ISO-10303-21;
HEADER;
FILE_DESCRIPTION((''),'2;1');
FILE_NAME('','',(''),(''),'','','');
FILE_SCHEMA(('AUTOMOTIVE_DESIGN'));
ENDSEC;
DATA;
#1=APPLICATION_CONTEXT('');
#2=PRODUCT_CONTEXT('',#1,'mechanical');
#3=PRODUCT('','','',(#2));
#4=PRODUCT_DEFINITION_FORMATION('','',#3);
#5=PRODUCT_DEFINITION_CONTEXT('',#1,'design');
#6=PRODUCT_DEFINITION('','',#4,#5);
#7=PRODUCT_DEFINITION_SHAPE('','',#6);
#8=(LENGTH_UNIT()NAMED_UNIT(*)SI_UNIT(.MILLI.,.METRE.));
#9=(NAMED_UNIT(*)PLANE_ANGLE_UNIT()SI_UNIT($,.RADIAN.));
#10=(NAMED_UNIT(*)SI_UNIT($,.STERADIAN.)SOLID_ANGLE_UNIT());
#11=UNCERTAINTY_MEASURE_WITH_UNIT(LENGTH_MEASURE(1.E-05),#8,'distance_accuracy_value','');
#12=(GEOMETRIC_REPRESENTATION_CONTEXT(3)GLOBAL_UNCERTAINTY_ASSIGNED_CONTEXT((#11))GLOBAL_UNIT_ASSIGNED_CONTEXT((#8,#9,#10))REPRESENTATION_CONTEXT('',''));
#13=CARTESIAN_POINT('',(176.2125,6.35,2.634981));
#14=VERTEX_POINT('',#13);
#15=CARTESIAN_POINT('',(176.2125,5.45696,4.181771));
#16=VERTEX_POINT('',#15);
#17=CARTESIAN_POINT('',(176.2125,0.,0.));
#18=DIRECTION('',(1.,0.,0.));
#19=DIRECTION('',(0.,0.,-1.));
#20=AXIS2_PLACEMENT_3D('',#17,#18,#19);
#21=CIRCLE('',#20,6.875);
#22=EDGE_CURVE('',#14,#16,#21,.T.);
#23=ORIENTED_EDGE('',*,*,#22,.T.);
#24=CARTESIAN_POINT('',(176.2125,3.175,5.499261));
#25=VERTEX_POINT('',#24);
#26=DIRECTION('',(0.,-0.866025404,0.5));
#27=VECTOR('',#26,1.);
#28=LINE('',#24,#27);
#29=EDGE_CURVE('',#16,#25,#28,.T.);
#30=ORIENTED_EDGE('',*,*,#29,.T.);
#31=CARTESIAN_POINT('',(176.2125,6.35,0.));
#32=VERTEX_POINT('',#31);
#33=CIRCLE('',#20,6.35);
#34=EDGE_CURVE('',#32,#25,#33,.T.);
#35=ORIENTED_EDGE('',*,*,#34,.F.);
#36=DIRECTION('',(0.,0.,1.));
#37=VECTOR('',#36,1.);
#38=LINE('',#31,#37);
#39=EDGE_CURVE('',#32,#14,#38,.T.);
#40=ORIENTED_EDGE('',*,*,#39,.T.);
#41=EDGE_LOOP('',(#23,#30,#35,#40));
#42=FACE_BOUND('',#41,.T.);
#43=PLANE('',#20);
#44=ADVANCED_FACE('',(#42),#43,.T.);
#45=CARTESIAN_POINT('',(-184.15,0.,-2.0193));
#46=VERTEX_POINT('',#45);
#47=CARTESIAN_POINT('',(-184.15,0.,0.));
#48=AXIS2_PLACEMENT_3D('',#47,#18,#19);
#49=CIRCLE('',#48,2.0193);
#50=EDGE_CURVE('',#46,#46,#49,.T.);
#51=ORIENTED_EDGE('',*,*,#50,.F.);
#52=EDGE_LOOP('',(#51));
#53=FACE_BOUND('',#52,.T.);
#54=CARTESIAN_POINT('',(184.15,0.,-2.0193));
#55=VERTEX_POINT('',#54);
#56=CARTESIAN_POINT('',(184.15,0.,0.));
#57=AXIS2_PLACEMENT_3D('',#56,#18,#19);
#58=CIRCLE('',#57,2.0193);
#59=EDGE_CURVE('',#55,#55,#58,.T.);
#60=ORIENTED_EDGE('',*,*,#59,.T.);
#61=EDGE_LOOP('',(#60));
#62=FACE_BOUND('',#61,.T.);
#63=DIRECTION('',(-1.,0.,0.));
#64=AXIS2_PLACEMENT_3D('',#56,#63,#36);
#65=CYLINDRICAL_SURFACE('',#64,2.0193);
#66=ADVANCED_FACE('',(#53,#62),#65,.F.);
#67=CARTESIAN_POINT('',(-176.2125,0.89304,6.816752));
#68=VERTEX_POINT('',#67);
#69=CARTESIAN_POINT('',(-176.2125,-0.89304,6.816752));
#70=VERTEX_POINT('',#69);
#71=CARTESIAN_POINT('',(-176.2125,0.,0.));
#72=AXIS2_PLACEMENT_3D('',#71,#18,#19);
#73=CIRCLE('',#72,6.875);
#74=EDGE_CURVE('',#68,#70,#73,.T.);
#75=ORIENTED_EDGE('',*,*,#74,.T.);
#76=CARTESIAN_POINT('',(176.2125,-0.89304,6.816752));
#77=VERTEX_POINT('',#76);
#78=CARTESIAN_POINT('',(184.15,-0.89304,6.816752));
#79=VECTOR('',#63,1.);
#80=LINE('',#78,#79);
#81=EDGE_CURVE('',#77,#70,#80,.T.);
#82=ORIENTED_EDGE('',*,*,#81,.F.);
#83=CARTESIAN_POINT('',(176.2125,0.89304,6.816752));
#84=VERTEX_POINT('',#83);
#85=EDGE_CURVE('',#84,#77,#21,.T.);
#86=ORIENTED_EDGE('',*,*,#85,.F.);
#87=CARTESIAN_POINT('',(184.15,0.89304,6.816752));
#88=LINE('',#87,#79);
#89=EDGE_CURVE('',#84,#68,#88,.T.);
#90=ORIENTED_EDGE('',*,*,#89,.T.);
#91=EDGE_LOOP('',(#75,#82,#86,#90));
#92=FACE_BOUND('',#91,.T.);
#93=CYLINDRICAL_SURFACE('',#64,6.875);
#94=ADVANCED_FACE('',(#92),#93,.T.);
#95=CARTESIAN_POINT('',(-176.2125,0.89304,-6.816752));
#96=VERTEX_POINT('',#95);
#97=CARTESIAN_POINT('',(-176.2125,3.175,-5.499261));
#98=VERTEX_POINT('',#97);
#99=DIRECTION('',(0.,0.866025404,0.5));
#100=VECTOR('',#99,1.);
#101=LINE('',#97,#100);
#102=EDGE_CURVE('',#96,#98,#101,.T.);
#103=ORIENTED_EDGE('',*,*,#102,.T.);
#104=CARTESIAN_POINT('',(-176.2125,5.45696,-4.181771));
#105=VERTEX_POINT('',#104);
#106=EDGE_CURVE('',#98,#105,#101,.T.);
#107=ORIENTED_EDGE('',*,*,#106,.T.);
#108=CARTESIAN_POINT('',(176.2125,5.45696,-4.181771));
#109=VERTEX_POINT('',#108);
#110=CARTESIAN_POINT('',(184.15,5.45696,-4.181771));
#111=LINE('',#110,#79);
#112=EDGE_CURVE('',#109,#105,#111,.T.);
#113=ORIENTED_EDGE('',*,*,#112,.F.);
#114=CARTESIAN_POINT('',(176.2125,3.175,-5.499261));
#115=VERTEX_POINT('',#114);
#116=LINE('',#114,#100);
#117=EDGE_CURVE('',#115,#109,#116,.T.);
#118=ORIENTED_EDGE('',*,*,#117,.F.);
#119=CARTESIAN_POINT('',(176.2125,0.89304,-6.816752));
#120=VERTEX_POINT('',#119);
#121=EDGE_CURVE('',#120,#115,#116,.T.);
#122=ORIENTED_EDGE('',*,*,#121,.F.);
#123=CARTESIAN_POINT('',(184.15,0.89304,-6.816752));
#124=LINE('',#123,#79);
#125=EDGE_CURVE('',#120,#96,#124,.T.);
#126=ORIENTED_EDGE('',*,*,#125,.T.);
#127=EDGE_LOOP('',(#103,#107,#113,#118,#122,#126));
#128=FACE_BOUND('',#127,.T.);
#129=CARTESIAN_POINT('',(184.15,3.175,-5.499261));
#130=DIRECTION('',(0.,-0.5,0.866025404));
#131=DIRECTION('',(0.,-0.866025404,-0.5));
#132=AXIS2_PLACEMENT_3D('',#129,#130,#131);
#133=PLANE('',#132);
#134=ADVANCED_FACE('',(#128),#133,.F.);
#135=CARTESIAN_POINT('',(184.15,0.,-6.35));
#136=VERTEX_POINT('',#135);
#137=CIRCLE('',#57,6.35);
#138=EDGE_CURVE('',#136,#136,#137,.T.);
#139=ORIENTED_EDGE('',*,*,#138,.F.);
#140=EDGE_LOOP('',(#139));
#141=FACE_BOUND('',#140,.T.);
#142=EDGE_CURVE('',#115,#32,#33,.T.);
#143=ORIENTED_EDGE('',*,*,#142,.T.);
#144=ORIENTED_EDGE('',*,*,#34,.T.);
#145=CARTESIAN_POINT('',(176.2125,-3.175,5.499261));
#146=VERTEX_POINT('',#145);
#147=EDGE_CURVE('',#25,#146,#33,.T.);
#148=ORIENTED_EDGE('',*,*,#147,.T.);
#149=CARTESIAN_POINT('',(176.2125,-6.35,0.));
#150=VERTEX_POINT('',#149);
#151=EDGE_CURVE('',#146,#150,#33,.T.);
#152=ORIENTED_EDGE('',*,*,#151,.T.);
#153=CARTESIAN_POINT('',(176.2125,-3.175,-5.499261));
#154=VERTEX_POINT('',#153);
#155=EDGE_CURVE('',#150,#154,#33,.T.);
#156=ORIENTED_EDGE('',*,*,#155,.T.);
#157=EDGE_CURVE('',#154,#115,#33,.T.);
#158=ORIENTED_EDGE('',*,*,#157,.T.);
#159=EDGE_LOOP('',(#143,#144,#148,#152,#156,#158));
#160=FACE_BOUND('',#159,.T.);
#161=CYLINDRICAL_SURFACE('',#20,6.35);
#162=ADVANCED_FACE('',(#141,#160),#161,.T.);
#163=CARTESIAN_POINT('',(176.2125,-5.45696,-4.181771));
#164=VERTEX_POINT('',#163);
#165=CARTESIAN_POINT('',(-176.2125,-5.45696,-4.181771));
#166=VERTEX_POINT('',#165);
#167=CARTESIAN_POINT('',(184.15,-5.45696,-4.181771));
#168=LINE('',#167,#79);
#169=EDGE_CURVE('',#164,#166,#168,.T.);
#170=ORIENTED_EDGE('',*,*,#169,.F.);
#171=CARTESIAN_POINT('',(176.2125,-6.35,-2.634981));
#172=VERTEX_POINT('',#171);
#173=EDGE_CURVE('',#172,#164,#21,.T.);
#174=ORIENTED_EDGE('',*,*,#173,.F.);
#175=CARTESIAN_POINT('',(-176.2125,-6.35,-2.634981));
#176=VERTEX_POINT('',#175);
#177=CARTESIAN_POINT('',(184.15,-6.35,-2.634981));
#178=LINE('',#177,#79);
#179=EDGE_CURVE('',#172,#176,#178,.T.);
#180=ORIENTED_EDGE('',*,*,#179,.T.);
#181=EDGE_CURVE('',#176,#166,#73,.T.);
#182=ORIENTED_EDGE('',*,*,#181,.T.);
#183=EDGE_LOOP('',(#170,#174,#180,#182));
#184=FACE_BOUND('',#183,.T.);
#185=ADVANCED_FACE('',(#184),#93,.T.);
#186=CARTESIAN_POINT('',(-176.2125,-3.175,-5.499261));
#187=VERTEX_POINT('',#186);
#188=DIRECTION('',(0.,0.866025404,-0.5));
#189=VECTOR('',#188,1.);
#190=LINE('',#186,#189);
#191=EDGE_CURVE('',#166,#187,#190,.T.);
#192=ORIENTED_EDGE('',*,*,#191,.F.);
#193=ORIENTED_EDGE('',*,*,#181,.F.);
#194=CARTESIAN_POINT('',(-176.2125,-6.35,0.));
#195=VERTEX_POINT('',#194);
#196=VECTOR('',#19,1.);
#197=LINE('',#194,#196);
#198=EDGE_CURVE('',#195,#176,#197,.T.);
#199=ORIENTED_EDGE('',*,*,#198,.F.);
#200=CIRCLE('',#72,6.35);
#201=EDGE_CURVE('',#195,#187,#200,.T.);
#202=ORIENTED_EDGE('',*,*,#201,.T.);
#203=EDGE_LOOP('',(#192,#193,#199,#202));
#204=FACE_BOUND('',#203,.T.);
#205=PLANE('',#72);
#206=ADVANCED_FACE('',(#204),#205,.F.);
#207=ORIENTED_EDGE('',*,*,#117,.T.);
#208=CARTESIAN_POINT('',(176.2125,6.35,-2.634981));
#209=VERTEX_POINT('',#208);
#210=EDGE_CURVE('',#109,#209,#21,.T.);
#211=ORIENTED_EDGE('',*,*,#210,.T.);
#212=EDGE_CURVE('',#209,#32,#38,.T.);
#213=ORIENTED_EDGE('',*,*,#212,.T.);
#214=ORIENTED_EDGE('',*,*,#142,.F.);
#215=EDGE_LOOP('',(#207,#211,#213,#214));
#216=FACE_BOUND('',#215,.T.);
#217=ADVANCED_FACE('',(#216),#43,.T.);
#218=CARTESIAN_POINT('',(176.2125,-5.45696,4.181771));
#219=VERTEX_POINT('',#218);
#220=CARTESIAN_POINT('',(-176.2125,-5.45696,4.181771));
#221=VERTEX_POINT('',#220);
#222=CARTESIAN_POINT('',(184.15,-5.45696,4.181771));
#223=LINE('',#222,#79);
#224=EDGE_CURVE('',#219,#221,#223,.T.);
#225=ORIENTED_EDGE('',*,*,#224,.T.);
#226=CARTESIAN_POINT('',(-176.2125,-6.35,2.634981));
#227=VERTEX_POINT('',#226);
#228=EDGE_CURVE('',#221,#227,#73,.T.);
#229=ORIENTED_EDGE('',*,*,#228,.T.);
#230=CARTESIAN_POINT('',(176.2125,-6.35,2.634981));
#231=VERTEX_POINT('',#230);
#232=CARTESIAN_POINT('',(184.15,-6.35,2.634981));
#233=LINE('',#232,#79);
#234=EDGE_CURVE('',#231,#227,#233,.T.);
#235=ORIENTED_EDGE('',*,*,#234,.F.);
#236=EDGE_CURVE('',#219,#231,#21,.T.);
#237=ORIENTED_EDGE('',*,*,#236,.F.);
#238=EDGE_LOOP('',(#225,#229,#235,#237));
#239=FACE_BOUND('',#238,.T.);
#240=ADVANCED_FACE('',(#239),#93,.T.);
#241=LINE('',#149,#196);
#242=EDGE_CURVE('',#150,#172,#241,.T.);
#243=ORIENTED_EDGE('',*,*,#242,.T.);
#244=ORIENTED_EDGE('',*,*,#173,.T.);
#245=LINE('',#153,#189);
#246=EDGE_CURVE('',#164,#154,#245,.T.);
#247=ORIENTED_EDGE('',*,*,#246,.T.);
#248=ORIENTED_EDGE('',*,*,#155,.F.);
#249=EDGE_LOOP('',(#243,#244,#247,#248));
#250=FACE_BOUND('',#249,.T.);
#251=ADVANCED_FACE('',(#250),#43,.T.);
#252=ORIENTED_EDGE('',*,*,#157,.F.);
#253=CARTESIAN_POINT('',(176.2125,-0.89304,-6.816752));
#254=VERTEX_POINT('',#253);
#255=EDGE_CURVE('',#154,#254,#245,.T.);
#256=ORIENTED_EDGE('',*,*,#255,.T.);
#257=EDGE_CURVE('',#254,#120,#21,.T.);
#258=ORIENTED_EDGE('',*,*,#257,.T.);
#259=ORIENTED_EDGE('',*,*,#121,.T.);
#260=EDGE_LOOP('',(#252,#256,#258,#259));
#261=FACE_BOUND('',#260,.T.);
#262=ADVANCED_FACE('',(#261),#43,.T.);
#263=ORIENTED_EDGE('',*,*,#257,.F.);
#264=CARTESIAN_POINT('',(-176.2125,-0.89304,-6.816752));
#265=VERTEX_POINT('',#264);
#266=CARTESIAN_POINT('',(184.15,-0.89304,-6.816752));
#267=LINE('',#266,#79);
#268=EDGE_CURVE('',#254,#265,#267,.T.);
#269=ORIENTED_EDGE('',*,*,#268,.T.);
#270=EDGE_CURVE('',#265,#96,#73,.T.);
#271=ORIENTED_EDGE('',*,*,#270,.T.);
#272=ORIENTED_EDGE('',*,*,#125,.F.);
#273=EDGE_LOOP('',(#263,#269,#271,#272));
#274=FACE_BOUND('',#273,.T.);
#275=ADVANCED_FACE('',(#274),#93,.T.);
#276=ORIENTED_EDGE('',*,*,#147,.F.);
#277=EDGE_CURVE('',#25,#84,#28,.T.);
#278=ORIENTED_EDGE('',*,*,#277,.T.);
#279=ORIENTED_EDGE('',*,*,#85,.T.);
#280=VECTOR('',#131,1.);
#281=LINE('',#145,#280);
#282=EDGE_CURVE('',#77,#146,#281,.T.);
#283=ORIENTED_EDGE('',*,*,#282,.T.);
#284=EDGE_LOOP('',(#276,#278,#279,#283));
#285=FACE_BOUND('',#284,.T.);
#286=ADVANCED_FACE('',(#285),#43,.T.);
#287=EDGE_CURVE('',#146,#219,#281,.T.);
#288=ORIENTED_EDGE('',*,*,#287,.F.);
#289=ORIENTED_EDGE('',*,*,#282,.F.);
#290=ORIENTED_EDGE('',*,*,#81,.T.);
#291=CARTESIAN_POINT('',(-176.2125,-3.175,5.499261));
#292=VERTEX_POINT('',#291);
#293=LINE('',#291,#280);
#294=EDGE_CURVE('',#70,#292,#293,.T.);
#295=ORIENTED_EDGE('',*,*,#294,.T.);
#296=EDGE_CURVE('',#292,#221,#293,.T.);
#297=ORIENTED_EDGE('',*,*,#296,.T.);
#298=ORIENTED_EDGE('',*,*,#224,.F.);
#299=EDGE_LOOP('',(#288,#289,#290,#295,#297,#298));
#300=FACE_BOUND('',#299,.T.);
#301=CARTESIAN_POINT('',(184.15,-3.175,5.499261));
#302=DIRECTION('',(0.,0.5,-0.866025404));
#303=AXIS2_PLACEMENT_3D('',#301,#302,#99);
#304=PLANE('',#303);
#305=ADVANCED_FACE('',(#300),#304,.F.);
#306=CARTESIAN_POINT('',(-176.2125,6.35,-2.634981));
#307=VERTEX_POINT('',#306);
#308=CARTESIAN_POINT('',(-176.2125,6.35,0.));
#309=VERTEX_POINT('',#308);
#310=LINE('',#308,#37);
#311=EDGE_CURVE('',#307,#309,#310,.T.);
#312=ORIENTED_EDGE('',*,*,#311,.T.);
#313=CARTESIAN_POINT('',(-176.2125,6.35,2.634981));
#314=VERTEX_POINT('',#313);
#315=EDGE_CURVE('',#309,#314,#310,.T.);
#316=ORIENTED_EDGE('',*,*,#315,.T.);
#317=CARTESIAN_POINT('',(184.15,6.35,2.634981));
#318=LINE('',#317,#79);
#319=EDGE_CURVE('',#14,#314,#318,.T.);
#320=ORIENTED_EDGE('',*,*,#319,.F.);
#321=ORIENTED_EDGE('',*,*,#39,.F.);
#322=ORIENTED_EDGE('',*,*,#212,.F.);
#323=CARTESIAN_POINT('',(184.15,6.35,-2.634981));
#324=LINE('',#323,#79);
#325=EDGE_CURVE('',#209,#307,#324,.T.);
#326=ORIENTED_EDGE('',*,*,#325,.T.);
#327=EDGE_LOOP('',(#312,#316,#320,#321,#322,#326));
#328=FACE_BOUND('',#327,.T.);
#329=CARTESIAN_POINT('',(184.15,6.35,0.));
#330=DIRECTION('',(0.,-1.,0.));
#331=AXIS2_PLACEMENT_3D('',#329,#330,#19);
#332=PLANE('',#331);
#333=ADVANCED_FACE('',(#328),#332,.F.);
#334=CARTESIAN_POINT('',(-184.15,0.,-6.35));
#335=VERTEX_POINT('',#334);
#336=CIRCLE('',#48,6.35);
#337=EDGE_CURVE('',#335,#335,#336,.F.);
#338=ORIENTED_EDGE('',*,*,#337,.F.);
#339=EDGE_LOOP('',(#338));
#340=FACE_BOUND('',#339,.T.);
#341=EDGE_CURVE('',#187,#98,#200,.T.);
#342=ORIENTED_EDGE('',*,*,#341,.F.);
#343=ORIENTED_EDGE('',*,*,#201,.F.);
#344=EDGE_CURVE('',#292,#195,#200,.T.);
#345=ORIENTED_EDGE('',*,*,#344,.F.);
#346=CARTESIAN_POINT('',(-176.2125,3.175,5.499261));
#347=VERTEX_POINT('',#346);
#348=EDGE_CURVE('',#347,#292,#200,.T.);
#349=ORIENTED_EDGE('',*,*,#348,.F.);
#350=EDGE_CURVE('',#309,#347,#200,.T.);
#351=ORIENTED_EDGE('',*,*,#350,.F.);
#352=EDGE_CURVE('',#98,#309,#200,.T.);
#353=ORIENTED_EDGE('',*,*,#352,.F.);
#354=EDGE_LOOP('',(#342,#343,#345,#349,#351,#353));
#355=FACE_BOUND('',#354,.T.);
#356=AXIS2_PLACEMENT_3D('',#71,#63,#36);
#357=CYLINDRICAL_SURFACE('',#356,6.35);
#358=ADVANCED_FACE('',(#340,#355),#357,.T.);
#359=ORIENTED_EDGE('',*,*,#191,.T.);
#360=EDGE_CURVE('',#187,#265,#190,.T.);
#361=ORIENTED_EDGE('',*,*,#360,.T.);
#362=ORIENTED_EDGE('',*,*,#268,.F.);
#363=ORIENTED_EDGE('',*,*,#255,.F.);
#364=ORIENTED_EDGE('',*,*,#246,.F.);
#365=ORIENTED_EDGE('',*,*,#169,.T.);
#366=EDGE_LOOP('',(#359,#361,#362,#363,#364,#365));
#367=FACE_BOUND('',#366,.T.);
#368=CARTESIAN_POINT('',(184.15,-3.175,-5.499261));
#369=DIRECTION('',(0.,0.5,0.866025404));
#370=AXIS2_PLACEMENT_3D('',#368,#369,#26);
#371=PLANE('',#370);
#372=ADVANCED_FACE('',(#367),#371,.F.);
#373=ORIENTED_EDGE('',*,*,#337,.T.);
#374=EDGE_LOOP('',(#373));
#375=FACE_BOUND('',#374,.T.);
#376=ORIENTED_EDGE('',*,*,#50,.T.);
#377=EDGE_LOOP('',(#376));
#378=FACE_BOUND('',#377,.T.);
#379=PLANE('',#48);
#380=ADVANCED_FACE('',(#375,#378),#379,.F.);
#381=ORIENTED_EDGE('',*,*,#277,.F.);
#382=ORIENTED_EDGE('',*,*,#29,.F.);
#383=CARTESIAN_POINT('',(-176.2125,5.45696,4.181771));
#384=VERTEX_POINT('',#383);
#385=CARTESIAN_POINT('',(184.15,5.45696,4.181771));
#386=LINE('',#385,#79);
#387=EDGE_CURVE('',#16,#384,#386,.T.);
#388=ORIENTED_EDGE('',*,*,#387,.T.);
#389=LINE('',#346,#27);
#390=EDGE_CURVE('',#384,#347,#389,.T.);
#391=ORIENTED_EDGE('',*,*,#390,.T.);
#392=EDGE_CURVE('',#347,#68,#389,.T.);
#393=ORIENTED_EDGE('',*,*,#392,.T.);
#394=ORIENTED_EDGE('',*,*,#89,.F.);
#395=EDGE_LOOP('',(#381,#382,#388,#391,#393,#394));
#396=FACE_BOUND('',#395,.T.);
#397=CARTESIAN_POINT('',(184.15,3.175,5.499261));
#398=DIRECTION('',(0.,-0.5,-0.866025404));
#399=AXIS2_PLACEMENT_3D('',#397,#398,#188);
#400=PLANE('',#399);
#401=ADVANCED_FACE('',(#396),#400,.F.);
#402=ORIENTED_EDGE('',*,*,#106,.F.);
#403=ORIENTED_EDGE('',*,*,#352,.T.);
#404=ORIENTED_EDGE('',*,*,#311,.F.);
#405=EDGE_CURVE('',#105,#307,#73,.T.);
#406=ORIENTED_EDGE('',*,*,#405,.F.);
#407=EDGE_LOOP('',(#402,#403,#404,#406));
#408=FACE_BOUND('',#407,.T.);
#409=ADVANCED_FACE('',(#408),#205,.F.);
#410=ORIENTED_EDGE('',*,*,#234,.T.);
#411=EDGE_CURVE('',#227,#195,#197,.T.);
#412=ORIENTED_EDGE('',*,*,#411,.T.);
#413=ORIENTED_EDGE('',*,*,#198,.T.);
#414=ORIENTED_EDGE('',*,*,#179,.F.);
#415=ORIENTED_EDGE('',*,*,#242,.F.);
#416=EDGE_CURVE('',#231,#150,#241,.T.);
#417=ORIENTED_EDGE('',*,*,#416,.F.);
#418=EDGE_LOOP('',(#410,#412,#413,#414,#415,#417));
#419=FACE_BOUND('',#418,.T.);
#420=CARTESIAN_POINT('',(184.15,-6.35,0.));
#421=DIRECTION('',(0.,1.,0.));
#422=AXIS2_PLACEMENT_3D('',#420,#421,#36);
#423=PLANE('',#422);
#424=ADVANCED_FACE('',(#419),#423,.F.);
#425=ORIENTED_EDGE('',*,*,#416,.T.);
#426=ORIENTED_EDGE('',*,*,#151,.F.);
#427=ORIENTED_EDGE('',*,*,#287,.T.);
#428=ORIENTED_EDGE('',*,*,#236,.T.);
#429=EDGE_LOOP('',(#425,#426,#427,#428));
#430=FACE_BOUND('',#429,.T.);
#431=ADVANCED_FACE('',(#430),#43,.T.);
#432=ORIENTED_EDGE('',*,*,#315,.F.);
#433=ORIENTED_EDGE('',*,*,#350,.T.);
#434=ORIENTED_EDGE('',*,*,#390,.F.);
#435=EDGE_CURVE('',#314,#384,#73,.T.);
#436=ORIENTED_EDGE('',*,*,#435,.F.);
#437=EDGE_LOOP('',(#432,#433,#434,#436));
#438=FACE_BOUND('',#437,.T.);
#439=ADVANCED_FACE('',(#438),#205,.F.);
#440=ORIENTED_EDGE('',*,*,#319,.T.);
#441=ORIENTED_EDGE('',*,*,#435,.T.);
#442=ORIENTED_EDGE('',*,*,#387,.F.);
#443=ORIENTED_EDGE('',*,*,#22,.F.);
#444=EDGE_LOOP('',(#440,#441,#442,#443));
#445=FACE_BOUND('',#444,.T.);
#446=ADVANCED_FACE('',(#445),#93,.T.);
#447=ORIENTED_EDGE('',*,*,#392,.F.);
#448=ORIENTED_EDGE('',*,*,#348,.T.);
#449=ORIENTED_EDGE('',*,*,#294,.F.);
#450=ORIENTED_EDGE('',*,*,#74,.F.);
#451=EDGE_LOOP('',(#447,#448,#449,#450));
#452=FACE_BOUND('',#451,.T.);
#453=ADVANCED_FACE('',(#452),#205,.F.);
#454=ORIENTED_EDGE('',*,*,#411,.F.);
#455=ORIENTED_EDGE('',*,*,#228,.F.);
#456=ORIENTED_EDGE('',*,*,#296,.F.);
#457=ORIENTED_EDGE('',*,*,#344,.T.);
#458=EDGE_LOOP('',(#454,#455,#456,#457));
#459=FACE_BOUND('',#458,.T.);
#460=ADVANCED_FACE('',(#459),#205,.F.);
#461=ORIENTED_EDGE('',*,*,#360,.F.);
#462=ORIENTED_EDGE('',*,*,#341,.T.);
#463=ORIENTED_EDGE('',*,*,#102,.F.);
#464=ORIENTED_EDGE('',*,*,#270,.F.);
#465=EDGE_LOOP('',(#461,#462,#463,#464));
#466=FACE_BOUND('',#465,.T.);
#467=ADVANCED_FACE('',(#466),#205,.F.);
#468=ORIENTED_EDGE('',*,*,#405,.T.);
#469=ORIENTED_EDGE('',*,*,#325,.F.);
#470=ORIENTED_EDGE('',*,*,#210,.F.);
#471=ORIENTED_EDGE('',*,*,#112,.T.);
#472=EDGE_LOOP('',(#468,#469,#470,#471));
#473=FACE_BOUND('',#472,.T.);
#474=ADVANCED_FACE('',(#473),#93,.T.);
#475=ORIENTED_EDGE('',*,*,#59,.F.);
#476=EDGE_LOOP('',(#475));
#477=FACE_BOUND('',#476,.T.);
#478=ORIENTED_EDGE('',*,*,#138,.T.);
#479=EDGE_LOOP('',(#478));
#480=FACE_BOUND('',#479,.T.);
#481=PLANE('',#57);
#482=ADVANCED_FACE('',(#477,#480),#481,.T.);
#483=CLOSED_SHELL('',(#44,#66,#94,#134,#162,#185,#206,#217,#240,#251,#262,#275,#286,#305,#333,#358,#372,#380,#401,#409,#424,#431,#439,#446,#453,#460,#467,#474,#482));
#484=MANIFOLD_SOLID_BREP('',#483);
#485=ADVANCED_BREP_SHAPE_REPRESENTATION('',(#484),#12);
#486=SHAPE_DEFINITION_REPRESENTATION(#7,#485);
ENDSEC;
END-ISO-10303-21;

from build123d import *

# Parameters (mm, degrees)
SKETCH1_R                            = 2.0193
BOSS_EXTRUDE1_DEPTH                  = 184.15
F_10_32_TAPPED_HOLE1_D               = 4.0386
F_10_32_TAPPED_HOLE1_DEPTH           = 16.34744
F_10_32_TAPPED_HOLE1_TIP             = 1.213317848
F_10_32_TAPPED_HOLE1_ON_FACE_2_D     = 4.0386
F_10_32_TAPPED_HOLE1_ON_FACE_2_DEPTH = 16.34744
F_10_32_TAPPED_HOLE1_ON_FACE_2_TIP   = 1.213317848
SKETCH3_R                            = 8.89
SKETCH3_R_2                          = 6.35
CUT_EXTRUDE_THIN1_DEPTH              = 7.9375


with BuildPart() as part:
    # Sketch1 → Boss-Extrude1 (new, symmetric)
    with BuildSketch(Plane(origin=(0, 0, 0), x_dir=(0, 0, -1), z_dir=(1, 0, 0))):
        with BuildLine():
            ThreePointArc((4.181770846, 5.456960429), (3.437499983, 5.953924622), (2.634980936, 6.35))
            Line((2.634980936, 6.35), (-2.634980936, 6.35))
            ThreePointArc((-2.634980936, 6.35), (-3.437499983, 5.953924622), (-4.181770846, 5.456960429))
            Line((-4.181770846, 5.456960429), (-6.816751782, 0.893039571))
            ThreePointArc((-6.816751782, 0.893039571), (-6.874999966, 0), (-6.816751782, -0.893039571))
            Line((-6.816751782, -0.893039571), (-4.181770846, -5.456960429))
            ThreePointArc((-4.181770846, -5.456960429), (-3.437499983, -5.953924622), (-2.634980936, -6.35))
            Line((-2.634980936, -6.35), (2.634980936, -6.35))
            ThreePointArc((2.634980936, -6.35), (3.437499983, -5.953924622), (4.181770846, -5.456960429))
            Line((4.181770846, -5.456960429), (6.816751782, -0.893039571))
            ThreePointArc((6.816751782, -0.893039571), (6.860422465, -0.447468582), (6.874999966, 0))
            ThreePointArc((6.874999966, 0), (6.860422465, 0.447468582), (6.816751782, 0.893039571))
            Line((6.816751782, 0.893039571), (4.181770846, 5.456960429))
        make_face()
        Circle(SKETCH1_R, mode=Mode.SUBTRACT)
    extrude(amount=BOSS_EXTRUDE1_DEPTH, both=True)

    # #10-32 Tapped Hole1
    with Locations(Plane(origin=(184.15, 0, 0), x_dir=(0, 0, 1), z_dir=(1, 0, 0))):
        with Locations((0, 0)):
            Hole(F_10_32_TAPPED_HOLE1_D / 2, depth=F_10_32_TAPPED_HOLE1_DEPTH)
            with Locations((0, 0, -(F_10_32_TAPPED_HOLE1_DEPTH + F_10_32_TAPPED_HOLE1_TIP / 2))):  # 118° drill point
                Cone(0, F_10_32_TAPPED_HOLE1_D / 2, F_10_32_TAPPED_HOLE1_TIP, mode=Mode.SUBTRACT)

    # #10-32 Tapped Hole1 on face 2
    with Locations(Plane(origin=(-184.15, 0, 0), x_dir=(0, 0, 1), z_dir=(1, 0, 0))):
        with Locations((0, 0)):
            Hole(F_10_32_TAPPED_HOLE1_ON_FACE_2_D / 2, depth=F_10_32_TAPPED_HOLE1_ON_FACE_2_DEPTH)
            with Locations((0, 0, -(F_10_32_TAPPED_HOLE1_ON_FACE_2_DEPTH + F_10_32_TAPPED_HOLE1_ON_FACE_2_TIP / 2))):  # 118° drill point
                Cone(0, F_10_32_TAPPED_HOLE1_ON_FACE_2_D / 2, F_10_32_TAPPED_HOLE1_ON_FACE_2_TIP, mode=Mode.SUBTRACT)

    # Sketch3 → Cut-Extrude-Thin1 (cut)
    with BuildSketch(Plane(origin=(184.15, 0, 0), x_dir=(0, 0, -1), z_dir=(1, 0, 0))):
        Circle(SKETCH3_R)
        Circle(SKETCH3_R_2, mode=Mode.SUBTRACT)
    cut_extrude_thin1 = extrude(amount=-CUT_EXTRUDE_THIN1_DEPTH, mode=Mode.SUBTRACT)

    # Mirror1: Cut-Extrude-Thin1 across plane
    add(cut_extrude_thin1.mirror(Plane(origin=(0, 0, 0), x_dir=(0, 0, 1), z_dir=(1, 0, 0))), mode=Mode.SUBTRACT)


solid = part.part
